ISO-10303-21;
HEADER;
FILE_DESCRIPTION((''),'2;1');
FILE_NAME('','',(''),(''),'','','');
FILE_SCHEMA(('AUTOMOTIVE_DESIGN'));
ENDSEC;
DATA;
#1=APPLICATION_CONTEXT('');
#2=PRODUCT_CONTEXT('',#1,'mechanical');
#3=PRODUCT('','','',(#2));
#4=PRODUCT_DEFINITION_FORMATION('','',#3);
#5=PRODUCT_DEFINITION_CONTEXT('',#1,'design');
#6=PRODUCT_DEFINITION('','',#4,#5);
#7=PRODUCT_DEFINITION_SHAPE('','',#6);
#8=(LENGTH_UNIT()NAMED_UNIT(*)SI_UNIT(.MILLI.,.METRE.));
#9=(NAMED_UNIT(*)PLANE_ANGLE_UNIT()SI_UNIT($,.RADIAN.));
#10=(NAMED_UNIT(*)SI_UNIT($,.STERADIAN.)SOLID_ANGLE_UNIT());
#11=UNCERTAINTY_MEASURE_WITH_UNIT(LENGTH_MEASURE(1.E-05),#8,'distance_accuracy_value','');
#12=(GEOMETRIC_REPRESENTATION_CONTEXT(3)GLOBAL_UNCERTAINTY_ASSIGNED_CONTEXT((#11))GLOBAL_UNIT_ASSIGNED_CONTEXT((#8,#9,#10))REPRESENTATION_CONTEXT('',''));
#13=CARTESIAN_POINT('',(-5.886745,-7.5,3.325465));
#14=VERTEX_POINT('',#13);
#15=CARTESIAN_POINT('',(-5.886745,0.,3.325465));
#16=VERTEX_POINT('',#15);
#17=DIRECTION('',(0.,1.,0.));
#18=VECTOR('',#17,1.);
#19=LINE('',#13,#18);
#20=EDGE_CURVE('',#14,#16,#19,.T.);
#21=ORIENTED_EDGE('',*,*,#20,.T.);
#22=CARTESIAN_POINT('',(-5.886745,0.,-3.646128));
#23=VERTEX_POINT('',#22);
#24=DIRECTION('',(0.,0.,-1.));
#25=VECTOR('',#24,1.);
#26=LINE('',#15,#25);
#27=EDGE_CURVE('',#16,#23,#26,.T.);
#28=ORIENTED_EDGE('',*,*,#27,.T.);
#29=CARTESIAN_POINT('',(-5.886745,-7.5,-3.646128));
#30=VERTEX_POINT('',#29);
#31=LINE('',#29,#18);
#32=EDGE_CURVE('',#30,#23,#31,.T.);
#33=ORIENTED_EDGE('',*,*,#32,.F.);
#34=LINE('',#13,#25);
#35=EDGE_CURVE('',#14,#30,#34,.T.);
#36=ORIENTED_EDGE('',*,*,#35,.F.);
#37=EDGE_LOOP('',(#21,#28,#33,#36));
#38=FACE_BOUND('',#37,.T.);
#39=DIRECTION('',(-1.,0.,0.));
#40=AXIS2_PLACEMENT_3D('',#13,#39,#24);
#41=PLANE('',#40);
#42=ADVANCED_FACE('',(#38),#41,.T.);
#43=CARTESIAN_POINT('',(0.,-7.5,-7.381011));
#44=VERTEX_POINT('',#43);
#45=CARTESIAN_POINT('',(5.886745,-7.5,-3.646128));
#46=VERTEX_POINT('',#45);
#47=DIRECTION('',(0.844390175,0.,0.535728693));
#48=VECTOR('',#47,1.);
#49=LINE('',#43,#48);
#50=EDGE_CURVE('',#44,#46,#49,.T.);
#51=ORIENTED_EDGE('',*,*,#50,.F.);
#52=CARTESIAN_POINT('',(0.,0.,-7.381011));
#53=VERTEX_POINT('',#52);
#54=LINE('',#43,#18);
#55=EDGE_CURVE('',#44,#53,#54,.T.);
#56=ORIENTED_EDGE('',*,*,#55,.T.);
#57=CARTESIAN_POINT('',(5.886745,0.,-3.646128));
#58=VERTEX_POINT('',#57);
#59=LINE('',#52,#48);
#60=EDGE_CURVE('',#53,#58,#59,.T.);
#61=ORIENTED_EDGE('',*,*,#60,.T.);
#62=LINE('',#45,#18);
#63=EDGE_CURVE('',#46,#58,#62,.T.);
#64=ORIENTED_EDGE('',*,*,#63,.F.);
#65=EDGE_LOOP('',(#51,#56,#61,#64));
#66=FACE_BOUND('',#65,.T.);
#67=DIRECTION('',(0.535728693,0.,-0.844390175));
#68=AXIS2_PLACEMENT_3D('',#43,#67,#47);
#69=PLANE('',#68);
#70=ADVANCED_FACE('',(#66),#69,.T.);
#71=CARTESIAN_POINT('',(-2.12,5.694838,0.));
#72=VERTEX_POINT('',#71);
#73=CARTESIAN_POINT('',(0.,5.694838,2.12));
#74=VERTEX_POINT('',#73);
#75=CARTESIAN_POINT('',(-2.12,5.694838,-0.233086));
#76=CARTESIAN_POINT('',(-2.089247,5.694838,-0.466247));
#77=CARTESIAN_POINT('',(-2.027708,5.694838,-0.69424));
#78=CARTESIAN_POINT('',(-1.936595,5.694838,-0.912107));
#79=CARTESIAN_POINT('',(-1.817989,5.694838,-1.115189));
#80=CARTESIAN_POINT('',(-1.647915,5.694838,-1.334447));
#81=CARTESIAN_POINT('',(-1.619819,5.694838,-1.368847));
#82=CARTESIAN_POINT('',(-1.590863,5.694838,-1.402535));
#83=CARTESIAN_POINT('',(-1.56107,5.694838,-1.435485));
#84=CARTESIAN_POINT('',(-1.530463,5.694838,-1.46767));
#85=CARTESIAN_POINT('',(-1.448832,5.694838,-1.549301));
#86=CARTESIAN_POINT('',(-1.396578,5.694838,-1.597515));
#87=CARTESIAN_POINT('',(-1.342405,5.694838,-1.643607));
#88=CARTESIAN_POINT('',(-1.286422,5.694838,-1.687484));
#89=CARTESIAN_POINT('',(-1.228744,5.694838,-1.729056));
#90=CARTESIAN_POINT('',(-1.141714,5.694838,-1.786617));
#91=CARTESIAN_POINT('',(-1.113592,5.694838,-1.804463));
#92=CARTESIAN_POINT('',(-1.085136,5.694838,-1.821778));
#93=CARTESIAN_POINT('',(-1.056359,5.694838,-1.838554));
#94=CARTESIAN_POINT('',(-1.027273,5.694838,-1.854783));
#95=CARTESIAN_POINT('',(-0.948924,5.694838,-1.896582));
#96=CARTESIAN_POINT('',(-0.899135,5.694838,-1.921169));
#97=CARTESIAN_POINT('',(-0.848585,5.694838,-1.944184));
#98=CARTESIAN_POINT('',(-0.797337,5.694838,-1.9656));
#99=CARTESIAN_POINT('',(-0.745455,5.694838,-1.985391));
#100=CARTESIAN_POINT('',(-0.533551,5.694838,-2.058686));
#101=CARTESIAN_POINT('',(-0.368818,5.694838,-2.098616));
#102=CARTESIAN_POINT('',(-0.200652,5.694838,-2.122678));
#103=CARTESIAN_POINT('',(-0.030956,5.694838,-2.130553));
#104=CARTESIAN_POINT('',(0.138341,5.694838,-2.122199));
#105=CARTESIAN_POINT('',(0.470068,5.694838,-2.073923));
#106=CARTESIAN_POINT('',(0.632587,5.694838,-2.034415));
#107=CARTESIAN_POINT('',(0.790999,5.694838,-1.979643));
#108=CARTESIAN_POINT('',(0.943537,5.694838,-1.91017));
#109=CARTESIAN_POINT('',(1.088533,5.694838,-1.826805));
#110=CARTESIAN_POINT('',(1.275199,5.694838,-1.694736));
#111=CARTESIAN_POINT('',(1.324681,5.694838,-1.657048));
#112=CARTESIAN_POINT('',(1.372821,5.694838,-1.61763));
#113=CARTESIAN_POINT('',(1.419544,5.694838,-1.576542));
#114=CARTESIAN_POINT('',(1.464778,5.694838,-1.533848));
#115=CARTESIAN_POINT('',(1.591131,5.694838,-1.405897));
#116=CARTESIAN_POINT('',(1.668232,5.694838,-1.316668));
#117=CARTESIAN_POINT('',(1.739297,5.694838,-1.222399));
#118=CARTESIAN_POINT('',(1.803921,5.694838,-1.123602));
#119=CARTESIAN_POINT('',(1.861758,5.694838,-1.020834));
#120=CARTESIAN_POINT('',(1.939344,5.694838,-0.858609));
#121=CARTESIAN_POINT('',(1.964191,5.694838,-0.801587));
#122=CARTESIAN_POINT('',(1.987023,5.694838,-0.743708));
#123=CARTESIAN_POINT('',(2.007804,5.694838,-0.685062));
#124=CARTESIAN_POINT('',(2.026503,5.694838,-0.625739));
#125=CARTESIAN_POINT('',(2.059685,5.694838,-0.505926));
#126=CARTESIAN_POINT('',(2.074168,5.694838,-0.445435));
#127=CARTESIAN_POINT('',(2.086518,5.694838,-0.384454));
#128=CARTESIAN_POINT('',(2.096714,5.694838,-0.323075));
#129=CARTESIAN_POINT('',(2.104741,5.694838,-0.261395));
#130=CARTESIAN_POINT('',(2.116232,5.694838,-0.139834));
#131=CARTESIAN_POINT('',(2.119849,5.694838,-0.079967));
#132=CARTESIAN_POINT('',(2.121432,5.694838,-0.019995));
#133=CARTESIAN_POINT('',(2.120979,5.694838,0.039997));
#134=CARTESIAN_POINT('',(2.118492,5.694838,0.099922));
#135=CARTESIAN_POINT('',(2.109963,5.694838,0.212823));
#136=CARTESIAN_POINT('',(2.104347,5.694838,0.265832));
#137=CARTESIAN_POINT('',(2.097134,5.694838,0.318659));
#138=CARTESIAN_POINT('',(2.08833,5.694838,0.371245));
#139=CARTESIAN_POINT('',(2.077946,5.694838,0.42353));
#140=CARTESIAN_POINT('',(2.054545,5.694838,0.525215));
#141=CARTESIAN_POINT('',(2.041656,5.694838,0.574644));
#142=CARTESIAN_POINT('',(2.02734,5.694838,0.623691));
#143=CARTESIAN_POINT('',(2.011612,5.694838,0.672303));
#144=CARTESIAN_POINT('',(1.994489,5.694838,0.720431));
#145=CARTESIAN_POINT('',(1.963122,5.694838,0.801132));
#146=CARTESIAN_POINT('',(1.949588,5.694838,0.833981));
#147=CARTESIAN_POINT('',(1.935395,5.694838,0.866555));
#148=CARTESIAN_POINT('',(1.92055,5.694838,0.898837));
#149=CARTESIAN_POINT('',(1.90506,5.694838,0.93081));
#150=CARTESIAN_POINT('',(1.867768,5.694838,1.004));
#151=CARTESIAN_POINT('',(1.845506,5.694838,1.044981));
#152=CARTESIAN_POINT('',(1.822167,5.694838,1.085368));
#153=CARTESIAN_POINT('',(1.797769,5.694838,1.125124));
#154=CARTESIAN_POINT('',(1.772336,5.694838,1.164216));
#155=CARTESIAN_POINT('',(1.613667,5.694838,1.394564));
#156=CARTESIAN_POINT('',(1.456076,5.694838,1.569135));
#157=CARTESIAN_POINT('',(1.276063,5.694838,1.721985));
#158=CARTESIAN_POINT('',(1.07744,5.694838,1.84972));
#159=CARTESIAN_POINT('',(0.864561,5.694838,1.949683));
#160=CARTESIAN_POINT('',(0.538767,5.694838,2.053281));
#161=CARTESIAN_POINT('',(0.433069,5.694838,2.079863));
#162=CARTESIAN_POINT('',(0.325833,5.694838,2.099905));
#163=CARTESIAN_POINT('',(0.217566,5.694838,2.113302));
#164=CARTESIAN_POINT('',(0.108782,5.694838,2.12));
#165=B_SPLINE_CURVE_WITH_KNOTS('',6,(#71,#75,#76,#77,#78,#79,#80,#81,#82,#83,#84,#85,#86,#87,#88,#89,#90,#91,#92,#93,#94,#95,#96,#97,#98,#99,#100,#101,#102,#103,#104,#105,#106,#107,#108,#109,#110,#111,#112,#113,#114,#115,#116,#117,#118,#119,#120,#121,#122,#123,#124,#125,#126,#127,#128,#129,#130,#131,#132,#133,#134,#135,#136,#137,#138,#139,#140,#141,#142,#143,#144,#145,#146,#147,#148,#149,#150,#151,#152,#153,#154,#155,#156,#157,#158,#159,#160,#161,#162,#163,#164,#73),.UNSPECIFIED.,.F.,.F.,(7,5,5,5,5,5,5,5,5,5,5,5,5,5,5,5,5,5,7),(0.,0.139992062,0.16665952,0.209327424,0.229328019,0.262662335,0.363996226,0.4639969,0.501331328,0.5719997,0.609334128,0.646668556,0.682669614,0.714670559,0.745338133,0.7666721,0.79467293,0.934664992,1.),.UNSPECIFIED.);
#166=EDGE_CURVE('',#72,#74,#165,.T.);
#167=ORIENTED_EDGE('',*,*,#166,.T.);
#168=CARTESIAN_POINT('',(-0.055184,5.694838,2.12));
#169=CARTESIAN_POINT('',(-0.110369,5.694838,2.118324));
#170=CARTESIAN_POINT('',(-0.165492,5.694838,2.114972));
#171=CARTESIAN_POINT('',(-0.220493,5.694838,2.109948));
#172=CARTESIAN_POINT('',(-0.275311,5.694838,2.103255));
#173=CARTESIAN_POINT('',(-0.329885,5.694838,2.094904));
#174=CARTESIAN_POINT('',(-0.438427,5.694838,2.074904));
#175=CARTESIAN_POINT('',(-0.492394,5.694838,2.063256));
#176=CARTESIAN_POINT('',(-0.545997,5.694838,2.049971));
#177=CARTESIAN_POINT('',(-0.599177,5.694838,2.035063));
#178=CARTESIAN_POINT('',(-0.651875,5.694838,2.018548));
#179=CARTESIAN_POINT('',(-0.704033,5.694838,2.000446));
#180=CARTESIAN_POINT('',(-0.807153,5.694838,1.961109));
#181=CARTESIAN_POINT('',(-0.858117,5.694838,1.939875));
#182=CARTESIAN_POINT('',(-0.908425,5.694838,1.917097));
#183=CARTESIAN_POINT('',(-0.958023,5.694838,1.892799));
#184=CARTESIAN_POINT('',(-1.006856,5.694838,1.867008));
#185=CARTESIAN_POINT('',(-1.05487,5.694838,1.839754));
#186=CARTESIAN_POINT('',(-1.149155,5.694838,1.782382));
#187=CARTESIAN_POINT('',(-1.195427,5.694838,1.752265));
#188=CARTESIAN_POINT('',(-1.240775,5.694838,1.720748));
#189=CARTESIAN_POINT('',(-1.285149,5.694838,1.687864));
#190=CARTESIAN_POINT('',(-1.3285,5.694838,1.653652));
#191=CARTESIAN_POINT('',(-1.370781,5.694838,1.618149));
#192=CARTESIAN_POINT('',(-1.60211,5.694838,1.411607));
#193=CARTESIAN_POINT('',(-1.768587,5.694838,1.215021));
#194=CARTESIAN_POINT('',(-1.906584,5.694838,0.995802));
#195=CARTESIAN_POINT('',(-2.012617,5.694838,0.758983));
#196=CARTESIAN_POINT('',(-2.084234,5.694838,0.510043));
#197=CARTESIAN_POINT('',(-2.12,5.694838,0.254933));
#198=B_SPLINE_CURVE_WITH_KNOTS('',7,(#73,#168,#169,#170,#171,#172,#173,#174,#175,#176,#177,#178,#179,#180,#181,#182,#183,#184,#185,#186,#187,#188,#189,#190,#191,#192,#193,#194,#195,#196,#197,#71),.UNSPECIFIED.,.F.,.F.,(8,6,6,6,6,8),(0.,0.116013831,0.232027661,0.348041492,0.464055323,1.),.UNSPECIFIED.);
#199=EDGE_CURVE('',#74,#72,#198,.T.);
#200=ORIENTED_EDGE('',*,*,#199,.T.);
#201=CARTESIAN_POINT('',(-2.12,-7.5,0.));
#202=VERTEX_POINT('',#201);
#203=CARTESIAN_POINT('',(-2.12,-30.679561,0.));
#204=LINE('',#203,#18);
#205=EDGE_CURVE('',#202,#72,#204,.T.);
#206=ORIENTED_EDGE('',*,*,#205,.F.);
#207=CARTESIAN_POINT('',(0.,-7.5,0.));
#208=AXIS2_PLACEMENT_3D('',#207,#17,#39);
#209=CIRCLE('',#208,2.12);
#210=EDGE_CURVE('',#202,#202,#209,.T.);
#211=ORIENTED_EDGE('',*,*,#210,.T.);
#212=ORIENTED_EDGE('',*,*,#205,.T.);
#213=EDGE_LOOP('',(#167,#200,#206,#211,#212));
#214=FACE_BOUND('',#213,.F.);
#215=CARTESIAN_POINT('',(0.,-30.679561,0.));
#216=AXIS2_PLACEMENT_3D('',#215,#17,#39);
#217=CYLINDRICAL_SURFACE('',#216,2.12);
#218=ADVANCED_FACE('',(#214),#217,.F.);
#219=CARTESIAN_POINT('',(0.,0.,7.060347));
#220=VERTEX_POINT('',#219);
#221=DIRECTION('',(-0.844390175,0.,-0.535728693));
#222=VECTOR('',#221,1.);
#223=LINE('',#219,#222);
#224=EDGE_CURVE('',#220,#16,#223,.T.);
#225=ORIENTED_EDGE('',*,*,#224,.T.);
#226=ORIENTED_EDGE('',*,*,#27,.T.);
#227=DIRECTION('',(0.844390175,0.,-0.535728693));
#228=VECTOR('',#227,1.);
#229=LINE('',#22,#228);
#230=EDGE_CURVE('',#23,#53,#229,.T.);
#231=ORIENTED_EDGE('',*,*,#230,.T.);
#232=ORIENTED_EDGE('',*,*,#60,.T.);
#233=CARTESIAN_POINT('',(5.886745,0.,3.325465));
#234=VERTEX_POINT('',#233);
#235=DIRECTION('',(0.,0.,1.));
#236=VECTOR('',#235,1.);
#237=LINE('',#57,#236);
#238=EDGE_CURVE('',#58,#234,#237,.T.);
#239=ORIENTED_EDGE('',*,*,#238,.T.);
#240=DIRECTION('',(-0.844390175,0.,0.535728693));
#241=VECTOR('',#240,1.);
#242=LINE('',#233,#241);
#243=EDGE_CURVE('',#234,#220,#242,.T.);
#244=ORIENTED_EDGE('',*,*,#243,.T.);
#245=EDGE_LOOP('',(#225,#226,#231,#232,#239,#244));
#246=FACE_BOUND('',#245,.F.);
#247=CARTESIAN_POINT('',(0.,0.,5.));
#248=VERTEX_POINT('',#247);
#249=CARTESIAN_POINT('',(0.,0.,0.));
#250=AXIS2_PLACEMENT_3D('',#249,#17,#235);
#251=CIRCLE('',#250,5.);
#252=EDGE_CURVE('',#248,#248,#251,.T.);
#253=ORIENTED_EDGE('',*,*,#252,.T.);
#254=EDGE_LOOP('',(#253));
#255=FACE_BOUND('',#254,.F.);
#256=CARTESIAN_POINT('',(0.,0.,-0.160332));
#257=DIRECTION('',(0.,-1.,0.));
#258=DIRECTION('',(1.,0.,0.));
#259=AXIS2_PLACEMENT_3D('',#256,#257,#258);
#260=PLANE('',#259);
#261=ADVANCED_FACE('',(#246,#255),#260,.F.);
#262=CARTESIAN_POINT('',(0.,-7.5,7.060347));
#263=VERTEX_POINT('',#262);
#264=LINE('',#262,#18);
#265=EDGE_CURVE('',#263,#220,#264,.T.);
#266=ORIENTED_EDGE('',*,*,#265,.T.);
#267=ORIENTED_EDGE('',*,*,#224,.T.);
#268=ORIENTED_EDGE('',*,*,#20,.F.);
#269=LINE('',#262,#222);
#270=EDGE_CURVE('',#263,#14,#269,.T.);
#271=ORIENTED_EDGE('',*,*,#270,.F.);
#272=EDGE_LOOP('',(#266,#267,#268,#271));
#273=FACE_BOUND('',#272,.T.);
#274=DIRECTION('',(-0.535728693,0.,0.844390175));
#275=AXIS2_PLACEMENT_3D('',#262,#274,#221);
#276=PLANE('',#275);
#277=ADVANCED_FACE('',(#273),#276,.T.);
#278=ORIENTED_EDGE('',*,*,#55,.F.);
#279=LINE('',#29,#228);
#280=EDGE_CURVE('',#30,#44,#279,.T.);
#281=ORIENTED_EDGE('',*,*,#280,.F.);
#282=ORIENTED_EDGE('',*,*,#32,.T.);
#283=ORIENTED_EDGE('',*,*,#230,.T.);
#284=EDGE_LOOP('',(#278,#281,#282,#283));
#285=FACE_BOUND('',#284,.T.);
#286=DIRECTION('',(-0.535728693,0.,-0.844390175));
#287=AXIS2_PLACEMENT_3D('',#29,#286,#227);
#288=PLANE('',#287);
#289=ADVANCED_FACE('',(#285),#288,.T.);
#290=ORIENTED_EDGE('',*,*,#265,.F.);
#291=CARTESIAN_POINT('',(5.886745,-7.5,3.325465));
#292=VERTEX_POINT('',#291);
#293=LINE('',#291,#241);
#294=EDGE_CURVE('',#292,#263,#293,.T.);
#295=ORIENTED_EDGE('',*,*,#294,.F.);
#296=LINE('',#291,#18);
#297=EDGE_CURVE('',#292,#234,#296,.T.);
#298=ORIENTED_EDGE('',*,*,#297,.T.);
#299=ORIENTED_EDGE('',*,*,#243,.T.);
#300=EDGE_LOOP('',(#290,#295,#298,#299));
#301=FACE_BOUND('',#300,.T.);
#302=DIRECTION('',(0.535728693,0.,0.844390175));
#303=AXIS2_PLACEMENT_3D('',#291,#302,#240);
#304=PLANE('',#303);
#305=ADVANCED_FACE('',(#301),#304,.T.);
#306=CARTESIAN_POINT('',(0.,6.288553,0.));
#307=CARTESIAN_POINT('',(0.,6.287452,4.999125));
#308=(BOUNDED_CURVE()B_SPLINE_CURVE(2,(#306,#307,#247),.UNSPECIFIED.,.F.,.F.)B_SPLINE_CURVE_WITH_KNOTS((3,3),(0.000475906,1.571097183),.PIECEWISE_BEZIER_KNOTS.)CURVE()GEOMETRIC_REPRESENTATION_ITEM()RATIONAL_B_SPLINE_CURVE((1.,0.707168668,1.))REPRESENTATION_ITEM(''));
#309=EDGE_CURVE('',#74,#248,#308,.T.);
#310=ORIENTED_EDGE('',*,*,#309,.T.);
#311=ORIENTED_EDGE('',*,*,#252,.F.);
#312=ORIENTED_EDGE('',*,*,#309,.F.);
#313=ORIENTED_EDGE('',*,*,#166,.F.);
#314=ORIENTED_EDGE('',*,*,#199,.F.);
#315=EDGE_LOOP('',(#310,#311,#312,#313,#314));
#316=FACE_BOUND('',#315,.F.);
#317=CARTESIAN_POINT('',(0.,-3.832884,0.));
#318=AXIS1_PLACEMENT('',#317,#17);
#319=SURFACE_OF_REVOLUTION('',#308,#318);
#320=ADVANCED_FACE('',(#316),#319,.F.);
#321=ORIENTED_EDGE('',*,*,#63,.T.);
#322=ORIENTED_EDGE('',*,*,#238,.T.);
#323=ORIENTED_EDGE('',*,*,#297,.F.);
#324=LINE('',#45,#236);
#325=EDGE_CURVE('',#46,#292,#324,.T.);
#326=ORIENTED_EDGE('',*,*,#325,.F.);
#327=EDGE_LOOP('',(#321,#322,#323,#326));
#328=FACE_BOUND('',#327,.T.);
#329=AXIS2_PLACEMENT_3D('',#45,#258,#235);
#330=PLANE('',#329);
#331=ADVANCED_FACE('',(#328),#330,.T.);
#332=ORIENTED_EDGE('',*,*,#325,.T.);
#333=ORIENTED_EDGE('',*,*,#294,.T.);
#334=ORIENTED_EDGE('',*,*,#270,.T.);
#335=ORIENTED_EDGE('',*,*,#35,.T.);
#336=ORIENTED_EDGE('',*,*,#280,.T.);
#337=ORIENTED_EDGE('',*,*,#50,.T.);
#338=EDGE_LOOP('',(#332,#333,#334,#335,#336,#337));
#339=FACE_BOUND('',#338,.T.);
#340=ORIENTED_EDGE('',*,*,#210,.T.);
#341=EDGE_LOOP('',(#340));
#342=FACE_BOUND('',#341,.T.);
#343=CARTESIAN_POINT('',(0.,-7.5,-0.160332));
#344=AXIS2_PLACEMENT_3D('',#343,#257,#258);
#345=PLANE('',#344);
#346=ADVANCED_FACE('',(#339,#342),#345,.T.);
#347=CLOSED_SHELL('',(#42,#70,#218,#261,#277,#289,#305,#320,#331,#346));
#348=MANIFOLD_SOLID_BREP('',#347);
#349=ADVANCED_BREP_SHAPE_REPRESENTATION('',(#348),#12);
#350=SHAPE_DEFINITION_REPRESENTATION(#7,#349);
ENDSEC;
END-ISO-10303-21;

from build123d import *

# Parameters (mm, degrees)
F1_DEPTH = 7.5
F6_D     = 4.24


with BuildPart() as f4:
    # F0 (on Right) → F4 (revolve)
    with BuildSketch(Plane.YZ):
        with BuildLine():
            Line((-7.5, 0), (0, 0))
            Line((0, 0), (6.288552845, 0))
            add(Edge.make_bspline(
                [(6.288552845, 0), (6.2874522314, 4.9991249071), (0, 5)],
                knots=[0.0004759058, 0.0004759058, 0.0004759058, 1.5710971834, 1.5710971834, 1.5710971834], degree=2, weights=[1, 0.7071686677, 1]))
            Line((0, 5), (-0.0011008063, 5))
            Line((-0.0011008063, 5), (-7.5, 5))
            Line((-7.5, 5), (-7.5, 0))
        make_face()
    revolve(axis=Axis((0, -3.8328841329, 0), (0, 1, 0)))

    # F5 (on face) → F1 (join)
    with BuildSketch(Plane.XZ.offset(7.5)):
        Polygon((5.8867447078, 3.3254646696), (0, 7.0603471249), (-5.8867447078, 3.3254646696), (-5.8867447078, -3.6461284202), (0, -7.3810108755), (5.8867447078, -3.6461284202), align=None)
    extrude(amount=-F1_DEPTH)

    # F6 (through all)
    with Locations(Plane.XZ.offset(7.5)):
        with Locations((0, 0)):
            Hole(F6_D / 2)


solid = f4.part
